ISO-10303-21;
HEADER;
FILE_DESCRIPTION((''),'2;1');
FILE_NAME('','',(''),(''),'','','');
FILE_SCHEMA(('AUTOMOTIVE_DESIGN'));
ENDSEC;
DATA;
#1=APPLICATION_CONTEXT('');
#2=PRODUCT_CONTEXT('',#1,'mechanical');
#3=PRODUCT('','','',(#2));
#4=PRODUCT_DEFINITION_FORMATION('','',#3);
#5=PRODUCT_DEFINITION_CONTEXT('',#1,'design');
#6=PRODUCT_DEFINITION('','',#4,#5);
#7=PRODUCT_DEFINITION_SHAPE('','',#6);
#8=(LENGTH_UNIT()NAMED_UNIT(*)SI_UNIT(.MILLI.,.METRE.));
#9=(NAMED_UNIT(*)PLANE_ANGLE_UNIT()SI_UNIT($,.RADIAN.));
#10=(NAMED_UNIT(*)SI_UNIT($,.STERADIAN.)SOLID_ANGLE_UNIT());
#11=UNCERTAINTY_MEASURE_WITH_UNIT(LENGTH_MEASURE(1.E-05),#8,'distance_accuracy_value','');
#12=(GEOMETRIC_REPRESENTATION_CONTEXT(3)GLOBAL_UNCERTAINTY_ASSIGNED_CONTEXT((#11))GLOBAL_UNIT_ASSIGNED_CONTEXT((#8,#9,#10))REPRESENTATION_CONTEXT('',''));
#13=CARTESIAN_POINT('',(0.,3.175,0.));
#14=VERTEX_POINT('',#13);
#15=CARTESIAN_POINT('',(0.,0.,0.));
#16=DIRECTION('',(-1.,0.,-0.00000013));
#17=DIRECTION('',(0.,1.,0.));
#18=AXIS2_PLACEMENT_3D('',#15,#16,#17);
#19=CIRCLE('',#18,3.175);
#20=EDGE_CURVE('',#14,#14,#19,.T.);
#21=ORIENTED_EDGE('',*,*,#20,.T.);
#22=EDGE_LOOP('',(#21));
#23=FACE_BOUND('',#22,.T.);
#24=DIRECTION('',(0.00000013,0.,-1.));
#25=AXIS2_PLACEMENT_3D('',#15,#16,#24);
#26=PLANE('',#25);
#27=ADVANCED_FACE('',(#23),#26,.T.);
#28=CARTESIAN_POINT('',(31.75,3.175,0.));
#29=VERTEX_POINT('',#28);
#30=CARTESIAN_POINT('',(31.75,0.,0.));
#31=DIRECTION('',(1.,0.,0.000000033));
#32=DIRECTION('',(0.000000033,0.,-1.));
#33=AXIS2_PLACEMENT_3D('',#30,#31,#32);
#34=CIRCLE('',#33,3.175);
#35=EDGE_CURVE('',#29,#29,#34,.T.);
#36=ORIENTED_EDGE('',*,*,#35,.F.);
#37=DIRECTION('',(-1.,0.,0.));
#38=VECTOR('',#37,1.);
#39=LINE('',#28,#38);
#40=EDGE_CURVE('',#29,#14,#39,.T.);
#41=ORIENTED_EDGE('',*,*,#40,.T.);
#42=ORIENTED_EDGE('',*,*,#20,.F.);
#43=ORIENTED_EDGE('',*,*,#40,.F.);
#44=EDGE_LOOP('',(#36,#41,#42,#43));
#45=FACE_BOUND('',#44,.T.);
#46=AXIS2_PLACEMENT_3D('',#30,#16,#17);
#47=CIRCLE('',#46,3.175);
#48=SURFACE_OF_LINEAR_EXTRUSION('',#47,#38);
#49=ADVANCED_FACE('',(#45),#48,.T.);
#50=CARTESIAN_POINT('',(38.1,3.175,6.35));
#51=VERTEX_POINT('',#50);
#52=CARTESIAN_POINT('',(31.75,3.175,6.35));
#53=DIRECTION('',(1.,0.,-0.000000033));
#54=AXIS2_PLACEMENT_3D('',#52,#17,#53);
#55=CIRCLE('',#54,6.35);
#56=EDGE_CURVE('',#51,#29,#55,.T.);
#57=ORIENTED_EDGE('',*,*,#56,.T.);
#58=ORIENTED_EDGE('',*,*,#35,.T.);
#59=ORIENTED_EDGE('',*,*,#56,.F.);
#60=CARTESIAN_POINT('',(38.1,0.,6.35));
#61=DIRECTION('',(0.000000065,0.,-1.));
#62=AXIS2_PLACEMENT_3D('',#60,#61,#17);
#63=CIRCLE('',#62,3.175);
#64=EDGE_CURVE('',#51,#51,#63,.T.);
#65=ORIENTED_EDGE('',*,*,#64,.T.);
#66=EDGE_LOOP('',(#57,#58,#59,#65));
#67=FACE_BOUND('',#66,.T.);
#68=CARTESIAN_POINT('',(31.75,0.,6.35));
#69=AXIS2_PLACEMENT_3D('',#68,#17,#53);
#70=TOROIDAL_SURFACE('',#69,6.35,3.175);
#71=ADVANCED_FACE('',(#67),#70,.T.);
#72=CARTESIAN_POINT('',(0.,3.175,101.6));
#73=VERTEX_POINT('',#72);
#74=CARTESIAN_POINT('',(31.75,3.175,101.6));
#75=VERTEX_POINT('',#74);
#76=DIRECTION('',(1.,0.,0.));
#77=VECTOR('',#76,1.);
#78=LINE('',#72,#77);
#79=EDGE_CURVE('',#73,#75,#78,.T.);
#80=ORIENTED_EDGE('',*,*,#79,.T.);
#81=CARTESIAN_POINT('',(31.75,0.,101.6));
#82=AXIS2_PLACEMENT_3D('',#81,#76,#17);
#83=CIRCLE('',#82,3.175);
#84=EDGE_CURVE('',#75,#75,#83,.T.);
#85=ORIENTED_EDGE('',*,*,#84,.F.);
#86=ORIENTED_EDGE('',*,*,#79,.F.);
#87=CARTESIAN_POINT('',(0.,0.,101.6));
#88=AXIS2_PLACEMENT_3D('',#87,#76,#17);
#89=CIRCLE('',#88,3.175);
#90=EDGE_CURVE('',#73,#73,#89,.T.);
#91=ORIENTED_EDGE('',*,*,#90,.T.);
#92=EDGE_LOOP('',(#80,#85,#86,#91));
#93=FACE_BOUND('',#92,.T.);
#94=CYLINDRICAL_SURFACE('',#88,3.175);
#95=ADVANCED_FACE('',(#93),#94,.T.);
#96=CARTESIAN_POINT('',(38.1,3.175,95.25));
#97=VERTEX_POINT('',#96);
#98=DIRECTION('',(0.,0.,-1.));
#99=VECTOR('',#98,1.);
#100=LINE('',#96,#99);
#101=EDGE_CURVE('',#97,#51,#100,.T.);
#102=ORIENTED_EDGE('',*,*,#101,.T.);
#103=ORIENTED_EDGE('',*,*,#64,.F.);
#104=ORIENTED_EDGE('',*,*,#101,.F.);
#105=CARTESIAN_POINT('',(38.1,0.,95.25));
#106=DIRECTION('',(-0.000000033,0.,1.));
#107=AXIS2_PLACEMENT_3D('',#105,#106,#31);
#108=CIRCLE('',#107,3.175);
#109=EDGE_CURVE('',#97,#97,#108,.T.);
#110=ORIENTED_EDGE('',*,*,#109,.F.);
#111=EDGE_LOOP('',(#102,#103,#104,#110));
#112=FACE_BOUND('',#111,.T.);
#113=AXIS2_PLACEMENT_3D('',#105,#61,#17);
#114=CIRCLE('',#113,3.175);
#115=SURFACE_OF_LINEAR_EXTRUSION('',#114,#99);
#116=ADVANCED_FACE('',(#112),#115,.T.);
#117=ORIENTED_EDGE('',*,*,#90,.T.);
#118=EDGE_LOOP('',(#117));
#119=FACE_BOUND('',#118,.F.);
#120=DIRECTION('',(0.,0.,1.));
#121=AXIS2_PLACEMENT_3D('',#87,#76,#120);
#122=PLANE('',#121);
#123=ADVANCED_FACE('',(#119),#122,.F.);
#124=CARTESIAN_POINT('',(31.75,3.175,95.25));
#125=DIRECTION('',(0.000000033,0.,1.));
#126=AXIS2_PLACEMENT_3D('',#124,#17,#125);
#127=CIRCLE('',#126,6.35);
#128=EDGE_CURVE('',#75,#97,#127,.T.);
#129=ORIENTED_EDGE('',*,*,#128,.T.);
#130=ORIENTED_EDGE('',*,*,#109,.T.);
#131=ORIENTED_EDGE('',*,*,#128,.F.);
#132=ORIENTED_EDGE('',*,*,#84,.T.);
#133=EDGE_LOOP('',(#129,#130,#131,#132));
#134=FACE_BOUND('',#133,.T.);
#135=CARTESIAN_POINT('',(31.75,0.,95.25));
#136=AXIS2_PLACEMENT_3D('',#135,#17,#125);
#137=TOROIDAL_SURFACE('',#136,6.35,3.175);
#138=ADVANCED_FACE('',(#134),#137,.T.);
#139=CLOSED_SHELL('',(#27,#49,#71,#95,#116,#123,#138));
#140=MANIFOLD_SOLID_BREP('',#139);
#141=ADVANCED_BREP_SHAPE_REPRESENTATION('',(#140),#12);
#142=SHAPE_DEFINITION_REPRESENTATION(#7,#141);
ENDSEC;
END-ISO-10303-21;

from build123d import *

# Parameters (mm, degrees)
F1_R = 3.175


with BuildPart() as f2:
    # F2: sweep along a path in F0
    with BuildLine(Plane.XZ) as f2_path:
        Line((0, 101.6), (31.75, 101.6))
        ThreePointArc((31.75, 101.6), (36.240128, 99.740128), (38.1, 95.25))
        Line((38.1, 95.25), (38.1, 6.35))
        ThreePointArc((38.1, 6.35), (36.240128, 1.859872), (31.75, 0))
        Line((31.75, 0), (0, 0))
    # F1 (on Right) → F2 (sweep)
    with BuildSketch(Plane.YZ):
        with Locations((0, 101.6)):
            Circle(F1_R)
    sweep(path=f2_path.line)


solid = f2.part
